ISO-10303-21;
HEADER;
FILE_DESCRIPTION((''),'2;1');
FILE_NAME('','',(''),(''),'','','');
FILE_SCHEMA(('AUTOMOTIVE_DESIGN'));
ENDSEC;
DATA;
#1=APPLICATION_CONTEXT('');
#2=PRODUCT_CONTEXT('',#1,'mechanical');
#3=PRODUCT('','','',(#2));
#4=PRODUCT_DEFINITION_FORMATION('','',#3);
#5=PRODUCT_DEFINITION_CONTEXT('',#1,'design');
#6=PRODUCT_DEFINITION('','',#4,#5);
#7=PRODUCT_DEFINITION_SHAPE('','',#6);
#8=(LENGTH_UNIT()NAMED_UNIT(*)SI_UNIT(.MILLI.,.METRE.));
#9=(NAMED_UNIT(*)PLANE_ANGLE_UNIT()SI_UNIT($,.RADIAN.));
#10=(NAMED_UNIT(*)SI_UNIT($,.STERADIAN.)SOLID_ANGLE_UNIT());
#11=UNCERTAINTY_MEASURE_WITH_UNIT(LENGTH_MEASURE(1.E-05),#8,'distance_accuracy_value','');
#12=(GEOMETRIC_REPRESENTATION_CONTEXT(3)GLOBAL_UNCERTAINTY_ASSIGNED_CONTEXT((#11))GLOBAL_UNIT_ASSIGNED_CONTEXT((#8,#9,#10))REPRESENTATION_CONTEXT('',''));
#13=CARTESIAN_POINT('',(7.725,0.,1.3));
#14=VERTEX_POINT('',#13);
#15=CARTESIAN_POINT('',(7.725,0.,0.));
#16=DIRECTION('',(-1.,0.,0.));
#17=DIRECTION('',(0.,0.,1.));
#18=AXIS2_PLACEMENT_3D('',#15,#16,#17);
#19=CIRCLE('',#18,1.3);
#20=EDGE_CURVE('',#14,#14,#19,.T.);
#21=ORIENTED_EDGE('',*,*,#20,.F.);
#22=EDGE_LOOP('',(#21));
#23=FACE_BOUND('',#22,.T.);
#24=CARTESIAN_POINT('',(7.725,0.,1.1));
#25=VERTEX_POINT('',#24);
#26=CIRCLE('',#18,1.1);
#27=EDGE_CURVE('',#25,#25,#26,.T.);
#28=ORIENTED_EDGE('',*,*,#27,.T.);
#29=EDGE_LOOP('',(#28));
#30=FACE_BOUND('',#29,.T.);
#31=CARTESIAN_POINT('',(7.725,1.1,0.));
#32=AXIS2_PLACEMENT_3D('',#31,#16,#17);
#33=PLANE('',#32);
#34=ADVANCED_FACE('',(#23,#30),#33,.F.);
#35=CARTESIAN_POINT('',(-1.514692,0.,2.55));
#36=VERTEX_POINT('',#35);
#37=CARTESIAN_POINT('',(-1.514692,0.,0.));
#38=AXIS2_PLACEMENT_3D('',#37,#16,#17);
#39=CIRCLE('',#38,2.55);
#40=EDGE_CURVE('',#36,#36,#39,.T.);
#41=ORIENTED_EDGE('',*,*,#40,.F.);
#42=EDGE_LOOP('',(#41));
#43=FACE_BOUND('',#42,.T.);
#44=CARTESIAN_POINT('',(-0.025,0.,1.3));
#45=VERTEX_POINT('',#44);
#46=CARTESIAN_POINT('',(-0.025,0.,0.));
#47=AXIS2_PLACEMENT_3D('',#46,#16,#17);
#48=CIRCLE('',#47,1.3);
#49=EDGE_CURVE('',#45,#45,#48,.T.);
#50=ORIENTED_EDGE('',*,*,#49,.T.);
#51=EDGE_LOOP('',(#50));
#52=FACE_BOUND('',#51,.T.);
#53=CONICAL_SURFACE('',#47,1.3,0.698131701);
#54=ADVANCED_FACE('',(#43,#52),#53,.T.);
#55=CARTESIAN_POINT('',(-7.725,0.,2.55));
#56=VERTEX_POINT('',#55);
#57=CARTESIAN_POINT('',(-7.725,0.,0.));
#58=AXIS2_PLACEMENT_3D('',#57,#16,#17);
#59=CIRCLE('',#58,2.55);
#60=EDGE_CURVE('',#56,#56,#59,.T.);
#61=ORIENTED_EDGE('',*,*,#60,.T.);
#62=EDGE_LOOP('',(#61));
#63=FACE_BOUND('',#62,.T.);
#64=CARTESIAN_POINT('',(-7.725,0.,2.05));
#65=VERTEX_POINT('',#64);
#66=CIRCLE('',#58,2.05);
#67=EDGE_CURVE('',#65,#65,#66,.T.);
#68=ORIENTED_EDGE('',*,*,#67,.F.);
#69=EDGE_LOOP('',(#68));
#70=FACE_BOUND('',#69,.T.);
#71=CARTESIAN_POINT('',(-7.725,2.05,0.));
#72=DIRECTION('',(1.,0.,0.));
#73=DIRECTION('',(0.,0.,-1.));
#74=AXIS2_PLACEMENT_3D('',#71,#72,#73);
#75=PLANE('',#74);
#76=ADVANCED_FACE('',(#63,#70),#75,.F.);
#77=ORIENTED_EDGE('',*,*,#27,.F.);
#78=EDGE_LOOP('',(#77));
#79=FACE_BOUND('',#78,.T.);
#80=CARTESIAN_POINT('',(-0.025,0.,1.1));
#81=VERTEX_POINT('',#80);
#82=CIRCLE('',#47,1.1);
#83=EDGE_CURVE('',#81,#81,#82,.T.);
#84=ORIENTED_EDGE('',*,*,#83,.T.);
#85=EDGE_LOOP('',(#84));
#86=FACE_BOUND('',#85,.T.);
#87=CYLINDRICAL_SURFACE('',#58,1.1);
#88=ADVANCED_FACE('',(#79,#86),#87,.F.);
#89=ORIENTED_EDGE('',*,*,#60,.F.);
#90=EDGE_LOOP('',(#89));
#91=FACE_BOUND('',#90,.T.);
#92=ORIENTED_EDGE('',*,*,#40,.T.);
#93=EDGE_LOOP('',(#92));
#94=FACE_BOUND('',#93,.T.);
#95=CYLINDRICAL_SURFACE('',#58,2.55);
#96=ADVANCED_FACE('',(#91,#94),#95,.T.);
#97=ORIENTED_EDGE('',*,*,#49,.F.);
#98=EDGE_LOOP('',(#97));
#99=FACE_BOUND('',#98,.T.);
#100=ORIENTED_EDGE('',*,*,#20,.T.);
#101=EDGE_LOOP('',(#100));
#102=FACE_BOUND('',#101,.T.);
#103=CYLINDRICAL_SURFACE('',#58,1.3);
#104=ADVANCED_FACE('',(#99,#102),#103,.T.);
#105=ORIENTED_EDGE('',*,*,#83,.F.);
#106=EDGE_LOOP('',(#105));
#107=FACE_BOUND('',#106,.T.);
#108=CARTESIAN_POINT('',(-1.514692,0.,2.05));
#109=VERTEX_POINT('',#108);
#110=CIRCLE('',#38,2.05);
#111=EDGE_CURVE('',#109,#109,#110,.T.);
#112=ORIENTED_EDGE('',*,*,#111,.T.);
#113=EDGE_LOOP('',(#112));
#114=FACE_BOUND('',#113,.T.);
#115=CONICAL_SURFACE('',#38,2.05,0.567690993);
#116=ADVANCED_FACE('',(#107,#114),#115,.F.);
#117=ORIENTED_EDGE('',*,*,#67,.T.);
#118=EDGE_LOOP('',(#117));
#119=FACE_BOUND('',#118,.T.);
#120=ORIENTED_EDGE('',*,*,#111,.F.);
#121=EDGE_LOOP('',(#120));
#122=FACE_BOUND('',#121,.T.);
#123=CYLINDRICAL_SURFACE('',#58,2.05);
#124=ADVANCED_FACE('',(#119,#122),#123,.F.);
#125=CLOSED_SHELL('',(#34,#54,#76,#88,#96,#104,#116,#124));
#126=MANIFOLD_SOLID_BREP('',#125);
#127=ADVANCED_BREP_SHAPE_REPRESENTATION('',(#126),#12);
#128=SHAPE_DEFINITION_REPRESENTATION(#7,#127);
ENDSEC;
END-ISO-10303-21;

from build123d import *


with BuildPart() as part:
    # Croquis1 → Revolución1 (revolve)
    with BuildSketch(Plane.XY, mode=Mode.PRIVATE) as revoluci_n1_sk:
        Polygon((7.725, 1.1), (-0.025, 1.1), (-1.514691991, 2.05), (-7.725, 2.05), (-7.725, 2.55), (-1.514691991, 2.55), (-0.025, 1.3), (7.725, 1.3), align=None)
    revolve(revoluci_n1_sk.sketch.rotate(Axis((-7.725, 0, 0), (1, 0, 0)), 90), axis=Axis((-7.725, 0, 0), (1, 0, 0)))


solid = part.part
